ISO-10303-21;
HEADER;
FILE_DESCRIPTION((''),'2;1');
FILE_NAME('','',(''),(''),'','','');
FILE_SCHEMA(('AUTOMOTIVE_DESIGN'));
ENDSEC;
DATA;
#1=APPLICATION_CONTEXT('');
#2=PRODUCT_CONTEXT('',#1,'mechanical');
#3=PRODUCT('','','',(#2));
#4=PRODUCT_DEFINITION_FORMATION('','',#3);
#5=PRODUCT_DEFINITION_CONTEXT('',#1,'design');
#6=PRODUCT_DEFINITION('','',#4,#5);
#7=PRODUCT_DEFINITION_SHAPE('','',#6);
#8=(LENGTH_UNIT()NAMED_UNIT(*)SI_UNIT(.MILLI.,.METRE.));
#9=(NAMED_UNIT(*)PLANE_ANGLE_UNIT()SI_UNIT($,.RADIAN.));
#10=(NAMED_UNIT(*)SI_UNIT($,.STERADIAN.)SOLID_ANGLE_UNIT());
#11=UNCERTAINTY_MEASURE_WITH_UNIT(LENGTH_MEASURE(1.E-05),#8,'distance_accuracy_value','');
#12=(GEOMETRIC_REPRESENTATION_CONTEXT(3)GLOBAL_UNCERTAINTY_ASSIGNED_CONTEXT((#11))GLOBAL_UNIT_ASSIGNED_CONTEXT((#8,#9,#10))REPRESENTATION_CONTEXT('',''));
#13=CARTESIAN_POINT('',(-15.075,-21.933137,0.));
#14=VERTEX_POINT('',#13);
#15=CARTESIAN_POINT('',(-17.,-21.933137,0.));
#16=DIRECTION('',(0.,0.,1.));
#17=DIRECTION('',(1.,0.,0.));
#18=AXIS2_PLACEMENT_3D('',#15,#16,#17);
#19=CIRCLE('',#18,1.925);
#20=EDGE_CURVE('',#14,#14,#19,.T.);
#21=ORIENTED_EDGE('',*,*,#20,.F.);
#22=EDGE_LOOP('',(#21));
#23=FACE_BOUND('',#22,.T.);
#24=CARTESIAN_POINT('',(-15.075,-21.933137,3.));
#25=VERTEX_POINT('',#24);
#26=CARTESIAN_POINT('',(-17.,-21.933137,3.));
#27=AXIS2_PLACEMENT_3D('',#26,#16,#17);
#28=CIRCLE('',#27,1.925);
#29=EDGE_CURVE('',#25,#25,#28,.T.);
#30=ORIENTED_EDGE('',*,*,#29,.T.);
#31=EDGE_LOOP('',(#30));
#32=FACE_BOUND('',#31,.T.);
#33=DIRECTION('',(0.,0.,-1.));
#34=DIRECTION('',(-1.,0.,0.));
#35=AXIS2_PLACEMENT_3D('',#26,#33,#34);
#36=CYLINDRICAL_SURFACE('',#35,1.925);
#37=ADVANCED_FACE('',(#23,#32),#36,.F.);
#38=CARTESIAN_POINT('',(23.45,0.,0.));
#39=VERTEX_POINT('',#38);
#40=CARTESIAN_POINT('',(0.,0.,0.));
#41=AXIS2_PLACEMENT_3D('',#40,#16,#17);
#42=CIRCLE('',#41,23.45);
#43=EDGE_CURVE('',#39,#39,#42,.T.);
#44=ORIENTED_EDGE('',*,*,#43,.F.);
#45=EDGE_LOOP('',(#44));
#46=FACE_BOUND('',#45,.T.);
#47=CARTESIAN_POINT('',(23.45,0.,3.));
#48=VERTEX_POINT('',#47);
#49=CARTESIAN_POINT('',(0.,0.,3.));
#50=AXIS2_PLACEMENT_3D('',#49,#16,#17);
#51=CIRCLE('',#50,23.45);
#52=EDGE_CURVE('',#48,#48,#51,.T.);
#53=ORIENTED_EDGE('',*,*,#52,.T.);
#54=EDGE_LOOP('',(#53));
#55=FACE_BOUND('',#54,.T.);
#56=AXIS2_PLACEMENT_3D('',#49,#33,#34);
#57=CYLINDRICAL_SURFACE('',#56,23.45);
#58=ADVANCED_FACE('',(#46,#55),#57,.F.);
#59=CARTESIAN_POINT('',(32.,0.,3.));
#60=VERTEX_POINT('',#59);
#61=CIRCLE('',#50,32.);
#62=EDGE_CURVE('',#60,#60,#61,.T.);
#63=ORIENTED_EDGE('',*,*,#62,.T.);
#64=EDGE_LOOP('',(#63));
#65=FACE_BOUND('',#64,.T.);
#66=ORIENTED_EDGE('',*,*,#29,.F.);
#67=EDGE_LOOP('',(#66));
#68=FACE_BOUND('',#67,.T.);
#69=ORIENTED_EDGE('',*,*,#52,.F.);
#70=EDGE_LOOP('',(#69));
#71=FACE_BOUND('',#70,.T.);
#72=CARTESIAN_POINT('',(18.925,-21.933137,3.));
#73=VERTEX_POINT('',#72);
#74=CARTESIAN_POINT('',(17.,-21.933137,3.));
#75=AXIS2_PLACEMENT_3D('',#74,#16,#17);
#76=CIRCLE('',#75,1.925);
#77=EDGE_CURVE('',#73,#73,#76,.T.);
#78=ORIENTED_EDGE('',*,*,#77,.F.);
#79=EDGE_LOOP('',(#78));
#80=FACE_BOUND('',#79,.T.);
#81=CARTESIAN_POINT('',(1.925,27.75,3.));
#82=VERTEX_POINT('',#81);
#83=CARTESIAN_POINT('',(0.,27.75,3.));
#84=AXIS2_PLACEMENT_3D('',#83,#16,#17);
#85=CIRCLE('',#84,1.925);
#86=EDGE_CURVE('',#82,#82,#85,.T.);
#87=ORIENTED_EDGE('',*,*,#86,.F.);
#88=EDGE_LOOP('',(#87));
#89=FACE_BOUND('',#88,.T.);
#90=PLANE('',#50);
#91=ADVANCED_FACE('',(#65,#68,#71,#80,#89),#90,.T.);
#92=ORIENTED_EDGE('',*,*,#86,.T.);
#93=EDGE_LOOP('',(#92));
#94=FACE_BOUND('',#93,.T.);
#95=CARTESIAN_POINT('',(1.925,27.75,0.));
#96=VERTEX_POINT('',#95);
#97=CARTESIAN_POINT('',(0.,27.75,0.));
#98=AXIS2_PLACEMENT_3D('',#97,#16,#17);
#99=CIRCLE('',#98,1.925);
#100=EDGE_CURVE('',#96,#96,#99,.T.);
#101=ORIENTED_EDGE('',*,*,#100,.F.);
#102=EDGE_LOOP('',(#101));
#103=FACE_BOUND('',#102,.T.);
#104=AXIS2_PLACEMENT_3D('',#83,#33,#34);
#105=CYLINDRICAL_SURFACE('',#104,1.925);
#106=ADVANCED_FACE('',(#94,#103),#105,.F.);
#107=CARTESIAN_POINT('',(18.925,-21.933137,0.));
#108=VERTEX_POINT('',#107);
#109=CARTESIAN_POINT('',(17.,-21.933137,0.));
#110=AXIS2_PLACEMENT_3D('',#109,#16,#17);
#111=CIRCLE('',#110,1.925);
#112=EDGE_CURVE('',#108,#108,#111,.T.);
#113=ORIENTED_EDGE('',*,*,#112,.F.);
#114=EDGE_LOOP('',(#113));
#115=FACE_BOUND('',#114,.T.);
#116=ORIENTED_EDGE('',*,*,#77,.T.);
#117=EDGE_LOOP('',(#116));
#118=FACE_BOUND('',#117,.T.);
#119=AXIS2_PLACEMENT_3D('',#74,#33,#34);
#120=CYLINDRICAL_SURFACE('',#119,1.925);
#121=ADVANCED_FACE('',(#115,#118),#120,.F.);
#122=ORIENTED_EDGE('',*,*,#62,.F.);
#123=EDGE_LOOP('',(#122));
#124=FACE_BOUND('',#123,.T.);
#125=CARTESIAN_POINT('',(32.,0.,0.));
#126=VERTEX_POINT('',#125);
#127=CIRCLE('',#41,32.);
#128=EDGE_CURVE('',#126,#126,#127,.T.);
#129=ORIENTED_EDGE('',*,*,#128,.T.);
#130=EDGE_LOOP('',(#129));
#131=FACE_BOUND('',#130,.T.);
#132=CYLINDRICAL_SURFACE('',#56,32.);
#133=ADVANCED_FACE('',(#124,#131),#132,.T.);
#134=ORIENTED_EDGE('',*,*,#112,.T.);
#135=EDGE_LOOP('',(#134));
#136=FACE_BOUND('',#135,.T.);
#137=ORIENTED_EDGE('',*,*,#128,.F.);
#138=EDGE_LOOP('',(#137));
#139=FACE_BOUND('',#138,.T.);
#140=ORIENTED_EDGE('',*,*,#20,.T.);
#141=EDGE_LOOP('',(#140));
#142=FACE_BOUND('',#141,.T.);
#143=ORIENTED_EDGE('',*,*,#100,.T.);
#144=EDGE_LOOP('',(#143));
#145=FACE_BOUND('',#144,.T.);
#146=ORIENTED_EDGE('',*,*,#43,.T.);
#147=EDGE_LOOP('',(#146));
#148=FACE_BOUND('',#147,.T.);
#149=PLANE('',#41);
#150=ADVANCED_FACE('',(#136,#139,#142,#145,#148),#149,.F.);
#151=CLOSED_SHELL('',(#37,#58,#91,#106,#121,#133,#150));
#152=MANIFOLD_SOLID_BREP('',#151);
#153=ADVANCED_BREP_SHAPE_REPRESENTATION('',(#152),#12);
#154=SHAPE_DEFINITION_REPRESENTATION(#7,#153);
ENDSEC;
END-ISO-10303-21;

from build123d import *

# Parameters (mm, degrees)
ESQUISSE1_R        = 32
ESQUISSE1_R_2      = 23.45
ESQUISSE1_R_3      = 1.925
BOSS_EXTRU_1_DEPTH = 3


with BuildPart() as part:
    # Esquisse1 → Boss.-Extru.1 (new body)
    with BuildSketch(Plane.XY):
        Circle(ESQUISSE1_R)
        Circle(ESQUISSE1_R_2, mode=Mode.SUBTRACT)
        with Locations((16.999999998, -21.933137031)):
            Circle(ESQUISSE1_R_3, mode=Mode.SUBTRACT)
        with Locations((-16.999999999, -21.933137031)):
            Circle(ESQUISSE1_R_3, mode=Mode.SUBTRACT)
        with Locations((0, 27.75)):
            Circle(ESQUISSE1_R_3, mode=Mode.SUBTRACT)
    extrude(amount=BOSS_EXTRU_1_DEPTH)


solid = part.part
